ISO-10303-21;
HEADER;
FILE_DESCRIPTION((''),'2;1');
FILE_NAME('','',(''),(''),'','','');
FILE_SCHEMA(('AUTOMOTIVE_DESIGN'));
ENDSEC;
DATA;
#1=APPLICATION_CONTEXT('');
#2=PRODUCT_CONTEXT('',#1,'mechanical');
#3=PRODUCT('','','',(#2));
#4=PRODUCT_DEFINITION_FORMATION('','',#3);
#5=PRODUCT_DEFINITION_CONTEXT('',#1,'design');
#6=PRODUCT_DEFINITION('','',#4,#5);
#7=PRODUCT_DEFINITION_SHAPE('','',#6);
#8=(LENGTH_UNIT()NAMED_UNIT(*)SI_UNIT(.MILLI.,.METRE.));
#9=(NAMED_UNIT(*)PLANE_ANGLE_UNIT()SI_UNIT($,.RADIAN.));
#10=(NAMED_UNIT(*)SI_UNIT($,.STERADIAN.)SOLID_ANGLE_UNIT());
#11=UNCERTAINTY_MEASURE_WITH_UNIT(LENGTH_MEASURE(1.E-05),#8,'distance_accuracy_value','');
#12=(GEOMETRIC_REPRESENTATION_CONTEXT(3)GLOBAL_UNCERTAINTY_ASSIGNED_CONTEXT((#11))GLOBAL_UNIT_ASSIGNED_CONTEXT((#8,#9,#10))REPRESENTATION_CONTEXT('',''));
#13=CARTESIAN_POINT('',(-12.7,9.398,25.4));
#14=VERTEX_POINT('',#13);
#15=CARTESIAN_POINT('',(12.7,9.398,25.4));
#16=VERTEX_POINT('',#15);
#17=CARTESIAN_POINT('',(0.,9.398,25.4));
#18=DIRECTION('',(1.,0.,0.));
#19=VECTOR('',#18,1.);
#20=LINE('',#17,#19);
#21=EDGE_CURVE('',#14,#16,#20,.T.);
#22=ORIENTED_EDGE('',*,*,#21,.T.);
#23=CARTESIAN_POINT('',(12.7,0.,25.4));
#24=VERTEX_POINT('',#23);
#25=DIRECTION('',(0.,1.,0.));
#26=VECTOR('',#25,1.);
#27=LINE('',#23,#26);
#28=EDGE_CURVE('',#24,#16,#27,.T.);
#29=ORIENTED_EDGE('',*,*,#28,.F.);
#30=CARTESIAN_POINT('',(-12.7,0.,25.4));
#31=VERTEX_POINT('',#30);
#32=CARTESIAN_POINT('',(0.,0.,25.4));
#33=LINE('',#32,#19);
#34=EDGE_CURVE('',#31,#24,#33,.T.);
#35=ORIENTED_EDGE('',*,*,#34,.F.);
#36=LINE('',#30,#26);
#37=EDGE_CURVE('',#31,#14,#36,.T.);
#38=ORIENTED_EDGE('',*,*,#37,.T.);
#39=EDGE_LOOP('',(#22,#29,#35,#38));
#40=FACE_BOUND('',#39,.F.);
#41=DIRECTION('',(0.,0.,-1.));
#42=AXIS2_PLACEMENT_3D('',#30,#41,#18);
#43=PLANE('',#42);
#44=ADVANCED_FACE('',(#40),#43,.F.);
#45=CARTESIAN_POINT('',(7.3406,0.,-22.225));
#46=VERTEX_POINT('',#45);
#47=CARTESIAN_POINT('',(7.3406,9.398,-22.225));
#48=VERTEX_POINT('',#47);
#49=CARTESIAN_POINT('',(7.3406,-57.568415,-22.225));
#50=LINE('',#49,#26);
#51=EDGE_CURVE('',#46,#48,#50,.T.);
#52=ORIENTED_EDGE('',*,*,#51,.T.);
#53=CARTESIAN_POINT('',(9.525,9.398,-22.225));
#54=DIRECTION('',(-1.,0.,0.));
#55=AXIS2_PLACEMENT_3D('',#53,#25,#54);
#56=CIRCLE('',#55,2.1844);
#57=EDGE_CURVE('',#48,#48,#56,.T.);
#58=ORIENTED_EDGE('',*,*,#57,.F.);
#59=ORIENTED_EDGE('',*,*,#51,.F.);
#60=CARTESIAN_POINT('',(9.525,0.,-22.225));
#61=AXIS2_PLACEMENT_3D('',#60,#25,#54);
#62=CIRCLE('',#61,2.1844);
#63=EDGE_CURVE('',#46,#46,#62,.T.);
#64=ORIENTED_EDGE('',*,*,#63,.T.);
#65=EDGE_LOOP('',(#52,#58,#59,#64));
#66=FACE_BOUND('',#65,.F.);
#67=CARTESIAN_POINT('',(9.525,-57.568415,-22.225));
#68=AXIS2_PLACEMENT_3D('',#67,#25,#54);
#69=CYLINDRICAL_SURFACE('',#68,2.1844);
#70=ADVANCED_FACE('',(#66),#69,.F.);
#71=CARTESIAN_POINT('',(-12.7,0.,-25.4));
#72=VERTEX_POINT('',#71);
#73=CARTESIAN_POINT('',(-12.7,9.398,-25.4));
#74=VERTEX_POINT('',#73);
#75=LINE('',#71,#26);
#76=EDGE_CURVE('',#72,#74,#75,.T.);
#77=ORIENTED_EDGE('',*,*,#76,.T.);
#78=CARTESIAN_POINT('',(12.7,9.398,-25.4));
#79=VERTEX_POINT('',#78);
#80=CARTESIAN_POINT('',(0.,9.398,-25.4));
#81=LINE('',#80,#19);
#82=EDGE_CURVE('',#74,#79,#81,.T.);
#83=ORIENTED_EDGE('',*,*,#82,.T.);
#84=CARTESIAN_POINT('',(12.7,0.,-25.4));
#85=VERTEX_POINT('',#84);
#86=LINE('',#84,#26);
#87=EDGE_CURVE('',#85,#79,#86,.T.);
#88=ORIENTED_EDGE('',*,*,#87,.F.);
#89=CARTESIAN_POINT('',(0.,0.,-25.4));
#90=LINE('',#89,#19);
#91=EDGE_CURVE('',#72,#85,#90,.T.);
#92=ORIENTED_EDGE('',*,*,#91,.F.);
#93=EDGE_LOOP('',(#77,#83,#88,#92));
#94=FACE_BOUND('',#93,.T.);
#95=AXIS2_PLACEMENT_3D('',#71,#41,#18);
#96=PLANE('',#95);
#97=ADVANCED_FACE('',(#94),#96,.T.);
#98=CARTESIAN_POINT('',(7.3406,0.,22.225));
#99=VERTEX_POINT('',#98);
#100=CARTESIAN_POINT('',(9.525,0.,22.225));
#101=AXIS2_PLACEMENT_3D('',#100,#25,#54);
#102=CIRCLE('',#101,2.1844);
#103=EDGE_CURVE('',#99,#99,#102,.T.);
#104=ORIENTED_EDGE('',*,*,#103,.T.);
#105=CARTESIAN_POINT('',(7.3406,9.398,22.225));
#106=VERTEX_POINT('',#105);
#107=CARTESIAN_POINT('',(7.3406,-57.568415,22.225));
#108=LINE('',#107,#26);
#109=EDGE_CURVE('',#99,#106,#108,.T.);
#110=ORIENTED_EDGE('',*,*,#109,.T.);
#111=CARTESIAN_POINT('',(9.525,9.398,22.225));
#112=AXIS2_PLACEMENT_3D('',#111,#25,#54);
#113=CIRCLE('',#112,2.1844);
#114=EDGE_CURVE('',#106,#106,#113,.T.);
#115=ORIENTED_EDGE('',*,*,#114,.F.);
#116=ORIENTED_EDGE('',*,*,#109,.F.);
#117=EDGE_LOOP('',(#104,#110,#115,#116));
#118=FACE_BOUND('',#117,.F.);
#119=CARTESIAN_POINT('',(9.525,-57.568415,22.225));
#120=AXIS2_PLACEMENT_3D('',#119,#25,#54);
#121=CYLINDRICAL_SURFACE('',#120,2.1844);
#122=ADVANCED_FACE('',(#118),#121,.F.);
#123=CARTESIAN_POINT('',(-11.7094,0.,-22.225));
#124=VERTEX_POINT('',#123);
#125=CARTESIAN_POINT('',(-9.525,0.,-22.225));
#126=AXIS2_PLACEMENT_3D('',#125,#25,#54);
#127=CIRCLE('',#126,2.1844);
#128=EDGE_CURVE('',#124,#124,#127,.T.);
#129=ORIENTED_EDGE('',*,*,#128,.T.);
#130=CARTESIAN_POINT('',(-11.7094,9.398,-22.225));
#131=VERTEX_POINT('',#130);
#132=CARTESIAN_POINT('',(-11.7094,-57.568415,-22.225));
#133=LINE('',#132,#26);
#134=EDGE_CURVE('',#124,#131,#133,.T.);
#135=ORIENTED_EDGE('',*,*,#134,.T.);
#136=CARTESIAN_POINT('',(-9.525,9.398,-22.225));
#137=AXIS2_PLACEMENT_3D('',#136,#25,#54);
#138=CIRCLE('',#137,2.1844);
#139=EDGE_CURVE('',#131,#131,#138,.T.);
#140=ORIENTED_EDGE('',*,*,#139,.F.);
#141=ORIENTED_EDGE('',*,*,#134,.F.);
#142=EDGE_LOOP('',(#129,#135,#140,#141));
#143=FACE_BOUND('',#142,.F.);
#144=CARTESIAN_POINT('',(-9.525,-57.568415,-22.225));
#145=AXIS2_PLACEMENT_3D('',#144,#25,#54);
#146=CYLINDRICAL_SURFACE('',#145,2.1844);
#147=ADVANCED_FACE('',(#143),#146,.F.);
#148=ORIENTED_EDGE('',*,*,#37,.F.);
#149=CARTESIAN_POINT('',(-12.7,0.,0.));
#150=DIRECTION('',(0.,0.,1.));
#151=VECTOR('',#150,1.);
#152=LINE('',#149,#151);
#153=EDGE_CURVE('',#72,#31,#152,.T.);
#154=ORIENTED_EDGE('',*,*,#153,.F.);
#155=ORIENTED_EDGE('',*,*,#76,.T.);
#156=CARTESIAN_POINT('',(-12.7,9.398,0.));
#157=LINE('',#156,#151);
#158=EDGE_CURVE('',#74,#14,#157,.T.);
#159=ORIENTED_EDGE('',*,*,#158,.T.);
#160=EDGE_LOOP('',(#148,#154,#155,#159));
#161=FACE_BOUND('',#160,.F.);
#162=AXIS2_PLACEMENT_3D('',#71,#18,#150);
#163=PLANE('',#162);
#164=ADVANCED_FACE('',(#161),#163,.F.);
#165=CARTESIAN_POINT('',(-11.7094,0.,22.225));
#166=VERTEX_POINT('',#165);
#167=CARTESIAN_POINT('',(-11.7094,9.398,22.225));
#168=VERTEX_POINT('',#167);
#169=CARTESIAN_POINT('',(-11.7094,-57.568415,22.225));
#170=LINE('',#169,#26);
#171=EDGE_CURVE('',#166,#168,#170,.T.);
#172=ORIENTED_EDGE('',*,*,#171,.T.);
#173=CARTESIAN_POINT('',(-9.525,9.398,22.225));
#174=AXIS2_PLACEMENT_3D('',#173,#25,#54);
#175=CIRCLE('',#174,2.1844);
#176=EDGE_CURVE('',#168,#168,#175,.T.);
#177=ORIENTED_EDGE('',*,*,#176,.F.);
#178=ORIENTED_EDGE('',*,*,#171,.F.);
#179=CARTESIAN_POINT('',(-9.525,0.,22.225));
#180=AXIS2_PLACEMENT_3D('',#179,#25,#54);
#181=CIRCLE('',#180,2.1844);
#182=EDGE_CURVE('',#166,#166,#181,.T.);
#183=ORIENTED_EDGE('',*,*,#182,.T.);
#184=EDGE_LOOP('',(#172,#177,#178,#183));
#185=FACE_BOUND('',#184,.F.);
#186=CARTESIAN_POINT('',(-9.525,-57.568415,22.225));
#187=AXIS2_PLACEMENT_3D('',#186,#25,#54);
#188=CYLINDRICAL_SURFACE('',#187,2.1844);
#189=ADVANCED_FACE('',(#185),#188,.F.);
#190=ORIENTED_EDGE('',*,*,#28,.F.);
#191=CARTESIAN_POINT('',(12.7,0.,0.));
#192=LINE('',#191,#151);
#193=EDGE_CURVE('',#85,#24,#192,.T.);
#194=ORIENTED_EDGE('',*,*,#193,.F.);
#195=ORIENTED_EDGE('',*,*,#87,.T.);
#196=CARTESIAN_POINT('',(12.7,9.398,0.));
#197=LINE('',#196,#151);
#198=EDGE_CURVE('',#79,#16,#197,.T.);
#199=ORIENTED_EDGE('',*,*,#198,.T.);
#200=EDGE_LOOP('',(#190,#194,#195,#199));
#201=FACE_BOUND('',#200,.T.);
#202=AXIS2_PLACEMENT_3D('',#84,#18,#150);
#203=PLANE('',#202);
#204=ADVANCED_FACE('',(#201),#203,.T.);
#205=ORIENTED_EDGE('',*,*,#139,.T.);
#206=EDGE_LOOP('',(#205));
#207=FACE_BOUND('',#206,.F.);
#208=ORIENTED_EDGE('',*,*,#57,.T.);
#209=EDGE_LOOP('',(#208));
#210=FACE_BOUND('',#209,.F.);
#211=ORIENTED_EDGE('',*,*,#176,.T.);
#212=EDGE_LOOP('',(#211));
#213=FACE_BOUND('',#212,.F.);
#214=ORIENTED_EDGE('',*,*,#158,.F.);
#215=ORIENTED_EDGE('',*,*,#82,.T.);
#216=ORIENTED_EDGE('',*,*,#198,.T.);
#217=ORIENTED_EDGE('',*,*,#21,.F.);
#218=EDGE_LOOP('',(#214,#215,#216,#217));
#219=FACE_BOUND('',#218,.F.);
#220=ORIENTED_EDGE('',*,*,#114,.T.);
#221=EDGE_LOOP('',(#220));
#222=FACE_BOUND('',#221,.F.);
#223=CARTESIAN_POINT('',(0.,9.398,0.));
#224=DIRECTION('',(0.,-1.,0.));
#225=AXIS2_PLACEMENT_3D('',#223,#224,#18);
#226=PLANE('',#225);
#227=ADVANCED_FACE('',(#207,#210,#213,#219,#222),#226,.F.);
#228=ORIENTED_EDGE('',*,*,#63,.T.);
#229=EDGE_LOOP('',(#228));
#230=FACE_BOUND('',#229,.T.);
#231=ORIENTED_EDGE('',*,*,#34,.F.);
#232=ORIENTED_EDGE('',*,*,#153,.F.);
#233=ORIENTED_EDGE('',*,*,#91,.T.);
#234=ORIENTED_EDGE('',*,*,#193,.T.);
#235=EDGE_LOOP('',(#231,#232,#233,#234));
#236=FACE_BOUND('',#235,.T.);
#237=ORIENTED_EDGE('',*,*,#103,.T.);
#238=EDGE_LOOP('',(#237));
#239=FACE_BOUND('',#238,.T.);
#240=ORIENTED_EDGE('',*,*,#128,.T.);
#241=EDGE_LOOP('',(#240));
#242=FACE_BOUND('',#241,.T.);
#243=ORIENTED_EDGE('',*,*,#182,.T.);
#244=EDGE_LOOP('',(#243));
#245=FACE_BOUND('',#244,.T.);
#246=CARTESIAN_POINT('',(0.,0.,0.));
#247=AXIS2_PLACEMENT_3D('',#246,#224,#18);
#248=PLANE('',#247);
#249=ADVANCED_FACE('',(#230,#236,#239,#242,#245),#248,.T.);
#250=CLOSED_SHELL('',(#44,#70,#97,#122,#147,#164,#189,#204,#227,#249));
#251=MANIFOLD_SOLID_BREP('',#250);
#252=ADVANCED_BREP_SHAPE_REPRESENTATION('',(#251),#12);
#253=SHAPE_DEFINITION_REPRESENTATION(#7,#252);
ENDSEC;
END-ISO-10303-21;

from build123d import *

# Parameters (mm, degrees)
F0_W     = 25.4
F0_H     = 50.8
F1_DEPTH = 9.398
F2_D     = 4.3688


with BuildPart() as f1:
    # F0 (on Front) → F1 (new body)
    with BuildSketch(Plane.XZ):
        Rectangle(F0_W, F0_H)
    extrude(amount=-F1_DEPTH)

    # F2 (through all)
    with Locations(Plane.XZ):
        with Locations((-9.525, 22.225), (9.525, 22.225), (9.525, -22.225), (-9.525, -22.225)):
            Hole(F2_D / 2)


solid = f1.part
